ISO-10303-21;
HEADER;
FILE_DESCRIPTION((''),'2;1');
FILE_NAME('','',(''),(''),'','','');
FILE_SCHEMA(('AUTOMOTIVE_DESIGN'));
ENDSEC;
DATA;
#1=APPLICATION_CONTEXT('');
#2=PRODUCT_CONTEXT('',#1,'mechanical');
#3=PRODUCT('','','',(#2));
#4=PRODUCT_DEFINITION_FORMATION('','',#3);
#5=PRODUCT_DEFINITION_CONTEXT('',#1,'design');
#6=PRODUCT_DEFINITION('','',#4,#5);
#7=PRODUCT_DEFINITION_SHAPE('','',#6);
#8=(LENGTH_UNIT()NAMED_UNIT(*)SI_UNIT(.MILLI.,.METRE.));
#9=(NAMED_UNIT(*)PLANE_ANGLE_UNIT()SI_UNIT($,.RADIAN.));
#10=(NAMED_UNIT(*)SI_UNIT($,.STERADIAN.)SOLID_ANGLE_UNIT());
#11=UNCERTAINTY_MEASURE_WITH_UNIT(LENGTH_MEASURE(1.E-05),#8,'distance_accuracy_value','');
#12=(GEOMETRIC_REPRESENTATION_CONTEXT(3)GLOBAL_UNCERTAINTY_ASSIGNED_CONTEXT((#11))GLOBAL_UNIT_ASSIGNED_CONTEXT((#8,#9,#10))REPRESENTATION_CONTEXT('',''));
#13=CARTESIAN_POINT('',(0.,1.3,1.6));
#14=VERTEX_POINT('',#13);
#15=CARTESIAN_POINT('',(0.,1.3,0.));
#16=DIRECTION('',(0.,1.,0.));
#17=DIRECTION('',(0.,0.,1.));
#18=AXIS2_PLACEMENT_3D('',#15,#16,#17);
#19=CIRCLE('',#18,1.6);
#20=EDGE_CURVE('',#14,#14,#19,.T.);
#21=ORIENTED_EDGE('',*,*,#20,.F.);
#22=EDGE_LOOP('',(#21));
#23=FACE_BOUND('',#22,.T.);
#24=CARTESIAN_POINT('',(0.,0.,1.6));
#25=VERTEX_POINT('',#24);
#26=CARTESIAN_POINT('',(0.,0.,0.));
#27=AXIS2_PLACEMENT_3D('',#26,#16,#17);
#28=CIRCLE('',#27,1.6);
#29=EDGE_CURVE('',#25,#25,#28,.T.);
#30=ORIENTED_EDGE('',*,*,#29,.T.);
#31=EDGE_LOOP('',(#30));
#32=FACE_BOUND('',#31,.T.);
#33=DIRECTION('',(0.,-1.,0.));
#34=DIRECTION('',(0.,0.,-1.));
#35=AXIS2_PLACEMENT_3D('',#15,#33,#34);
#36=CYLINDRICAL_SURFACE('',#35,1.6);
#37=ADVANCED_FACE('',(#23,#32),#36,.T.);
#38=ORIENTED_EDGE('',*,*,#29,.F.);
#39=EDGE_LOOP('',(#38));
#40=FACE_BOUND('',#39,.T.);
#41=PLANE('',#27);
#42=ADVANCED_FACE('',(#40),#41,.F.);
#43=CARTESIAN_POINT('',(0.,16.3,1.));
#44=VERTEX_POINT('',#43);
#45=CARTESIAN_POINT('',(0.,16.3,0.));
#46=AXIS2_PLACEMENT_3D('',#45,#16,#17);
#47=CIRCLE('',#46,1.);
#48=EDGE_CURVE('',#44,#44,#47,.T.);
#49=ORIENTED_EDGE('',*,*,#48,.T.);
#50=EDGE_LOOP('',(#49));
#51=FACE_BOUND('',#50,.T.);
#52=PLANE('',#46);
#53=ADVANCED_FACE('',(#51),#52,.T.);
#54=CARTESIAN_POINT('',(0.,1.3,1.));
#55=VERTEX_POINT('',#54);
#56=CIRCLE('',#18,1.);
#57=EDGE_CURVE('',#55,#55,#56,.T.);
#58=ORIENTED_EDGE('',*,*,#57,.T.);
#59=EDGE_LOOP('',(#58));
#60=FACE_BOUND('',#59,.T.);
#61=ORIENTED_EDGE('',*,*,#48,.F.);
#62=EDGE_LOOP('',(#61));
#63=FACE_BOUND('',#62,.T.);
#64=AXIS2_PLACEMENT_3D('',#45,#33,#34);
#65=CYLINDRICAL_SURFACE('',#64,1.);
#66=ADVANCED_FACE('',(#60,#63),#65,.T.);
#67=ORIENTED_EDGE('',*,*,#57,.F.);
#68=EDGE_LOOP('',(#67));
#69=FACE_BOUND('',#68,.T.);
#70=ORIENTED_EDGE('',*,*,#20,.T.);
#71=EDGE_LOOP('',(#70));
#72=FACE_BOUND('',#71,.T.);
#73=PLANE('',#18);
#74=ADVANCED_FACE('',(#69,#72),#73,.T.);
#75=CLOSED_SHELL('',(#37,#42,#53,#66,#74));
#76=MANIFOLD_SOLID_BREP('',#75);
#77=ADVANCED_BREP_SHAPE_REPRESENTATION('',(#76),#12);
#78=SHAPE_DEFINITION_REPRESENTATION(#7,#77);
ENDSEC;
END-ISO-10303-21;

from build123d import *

# Parameters (mm, degrees)
SKETCH_1_R      = 1.6
EXTRUDE_1_DEPTH = 1.3
EXTRUDE_START   = 1.3
SKETCH_2_R      = 1
EXTRUDE_2_DEPTH = 15


with BuildPart() as part:
    # 草图1 → 凸台-拉伸1 (new body)
    with BuildSketch(Plane(origin=(0, 0, 0), x_dir=(1, 0, 0), z_dir=(0, 1, 0))):
        with Locations(Location((0, 0, 0), (0, 0, 270))):
            Circle(SKETCH_1_R)
    extrude(amount=EXTRUDE_1_DEPTH)

    # 草图2 → 凸台-拉伸2 (add)
    with BuildSketch(Plane(origin=(0, 0, 0), x_dir=(1, 0, 0), z_dir=(0, 1, 0)).offset(EXTRUDE_START)):
        with Locations(Location((0, 0, 0), (0, 0, 270))):
            Circle(SKETCH_2_R)
    extrude(amount=EXTRUDE_2_DEPTH)


solid = part.part
